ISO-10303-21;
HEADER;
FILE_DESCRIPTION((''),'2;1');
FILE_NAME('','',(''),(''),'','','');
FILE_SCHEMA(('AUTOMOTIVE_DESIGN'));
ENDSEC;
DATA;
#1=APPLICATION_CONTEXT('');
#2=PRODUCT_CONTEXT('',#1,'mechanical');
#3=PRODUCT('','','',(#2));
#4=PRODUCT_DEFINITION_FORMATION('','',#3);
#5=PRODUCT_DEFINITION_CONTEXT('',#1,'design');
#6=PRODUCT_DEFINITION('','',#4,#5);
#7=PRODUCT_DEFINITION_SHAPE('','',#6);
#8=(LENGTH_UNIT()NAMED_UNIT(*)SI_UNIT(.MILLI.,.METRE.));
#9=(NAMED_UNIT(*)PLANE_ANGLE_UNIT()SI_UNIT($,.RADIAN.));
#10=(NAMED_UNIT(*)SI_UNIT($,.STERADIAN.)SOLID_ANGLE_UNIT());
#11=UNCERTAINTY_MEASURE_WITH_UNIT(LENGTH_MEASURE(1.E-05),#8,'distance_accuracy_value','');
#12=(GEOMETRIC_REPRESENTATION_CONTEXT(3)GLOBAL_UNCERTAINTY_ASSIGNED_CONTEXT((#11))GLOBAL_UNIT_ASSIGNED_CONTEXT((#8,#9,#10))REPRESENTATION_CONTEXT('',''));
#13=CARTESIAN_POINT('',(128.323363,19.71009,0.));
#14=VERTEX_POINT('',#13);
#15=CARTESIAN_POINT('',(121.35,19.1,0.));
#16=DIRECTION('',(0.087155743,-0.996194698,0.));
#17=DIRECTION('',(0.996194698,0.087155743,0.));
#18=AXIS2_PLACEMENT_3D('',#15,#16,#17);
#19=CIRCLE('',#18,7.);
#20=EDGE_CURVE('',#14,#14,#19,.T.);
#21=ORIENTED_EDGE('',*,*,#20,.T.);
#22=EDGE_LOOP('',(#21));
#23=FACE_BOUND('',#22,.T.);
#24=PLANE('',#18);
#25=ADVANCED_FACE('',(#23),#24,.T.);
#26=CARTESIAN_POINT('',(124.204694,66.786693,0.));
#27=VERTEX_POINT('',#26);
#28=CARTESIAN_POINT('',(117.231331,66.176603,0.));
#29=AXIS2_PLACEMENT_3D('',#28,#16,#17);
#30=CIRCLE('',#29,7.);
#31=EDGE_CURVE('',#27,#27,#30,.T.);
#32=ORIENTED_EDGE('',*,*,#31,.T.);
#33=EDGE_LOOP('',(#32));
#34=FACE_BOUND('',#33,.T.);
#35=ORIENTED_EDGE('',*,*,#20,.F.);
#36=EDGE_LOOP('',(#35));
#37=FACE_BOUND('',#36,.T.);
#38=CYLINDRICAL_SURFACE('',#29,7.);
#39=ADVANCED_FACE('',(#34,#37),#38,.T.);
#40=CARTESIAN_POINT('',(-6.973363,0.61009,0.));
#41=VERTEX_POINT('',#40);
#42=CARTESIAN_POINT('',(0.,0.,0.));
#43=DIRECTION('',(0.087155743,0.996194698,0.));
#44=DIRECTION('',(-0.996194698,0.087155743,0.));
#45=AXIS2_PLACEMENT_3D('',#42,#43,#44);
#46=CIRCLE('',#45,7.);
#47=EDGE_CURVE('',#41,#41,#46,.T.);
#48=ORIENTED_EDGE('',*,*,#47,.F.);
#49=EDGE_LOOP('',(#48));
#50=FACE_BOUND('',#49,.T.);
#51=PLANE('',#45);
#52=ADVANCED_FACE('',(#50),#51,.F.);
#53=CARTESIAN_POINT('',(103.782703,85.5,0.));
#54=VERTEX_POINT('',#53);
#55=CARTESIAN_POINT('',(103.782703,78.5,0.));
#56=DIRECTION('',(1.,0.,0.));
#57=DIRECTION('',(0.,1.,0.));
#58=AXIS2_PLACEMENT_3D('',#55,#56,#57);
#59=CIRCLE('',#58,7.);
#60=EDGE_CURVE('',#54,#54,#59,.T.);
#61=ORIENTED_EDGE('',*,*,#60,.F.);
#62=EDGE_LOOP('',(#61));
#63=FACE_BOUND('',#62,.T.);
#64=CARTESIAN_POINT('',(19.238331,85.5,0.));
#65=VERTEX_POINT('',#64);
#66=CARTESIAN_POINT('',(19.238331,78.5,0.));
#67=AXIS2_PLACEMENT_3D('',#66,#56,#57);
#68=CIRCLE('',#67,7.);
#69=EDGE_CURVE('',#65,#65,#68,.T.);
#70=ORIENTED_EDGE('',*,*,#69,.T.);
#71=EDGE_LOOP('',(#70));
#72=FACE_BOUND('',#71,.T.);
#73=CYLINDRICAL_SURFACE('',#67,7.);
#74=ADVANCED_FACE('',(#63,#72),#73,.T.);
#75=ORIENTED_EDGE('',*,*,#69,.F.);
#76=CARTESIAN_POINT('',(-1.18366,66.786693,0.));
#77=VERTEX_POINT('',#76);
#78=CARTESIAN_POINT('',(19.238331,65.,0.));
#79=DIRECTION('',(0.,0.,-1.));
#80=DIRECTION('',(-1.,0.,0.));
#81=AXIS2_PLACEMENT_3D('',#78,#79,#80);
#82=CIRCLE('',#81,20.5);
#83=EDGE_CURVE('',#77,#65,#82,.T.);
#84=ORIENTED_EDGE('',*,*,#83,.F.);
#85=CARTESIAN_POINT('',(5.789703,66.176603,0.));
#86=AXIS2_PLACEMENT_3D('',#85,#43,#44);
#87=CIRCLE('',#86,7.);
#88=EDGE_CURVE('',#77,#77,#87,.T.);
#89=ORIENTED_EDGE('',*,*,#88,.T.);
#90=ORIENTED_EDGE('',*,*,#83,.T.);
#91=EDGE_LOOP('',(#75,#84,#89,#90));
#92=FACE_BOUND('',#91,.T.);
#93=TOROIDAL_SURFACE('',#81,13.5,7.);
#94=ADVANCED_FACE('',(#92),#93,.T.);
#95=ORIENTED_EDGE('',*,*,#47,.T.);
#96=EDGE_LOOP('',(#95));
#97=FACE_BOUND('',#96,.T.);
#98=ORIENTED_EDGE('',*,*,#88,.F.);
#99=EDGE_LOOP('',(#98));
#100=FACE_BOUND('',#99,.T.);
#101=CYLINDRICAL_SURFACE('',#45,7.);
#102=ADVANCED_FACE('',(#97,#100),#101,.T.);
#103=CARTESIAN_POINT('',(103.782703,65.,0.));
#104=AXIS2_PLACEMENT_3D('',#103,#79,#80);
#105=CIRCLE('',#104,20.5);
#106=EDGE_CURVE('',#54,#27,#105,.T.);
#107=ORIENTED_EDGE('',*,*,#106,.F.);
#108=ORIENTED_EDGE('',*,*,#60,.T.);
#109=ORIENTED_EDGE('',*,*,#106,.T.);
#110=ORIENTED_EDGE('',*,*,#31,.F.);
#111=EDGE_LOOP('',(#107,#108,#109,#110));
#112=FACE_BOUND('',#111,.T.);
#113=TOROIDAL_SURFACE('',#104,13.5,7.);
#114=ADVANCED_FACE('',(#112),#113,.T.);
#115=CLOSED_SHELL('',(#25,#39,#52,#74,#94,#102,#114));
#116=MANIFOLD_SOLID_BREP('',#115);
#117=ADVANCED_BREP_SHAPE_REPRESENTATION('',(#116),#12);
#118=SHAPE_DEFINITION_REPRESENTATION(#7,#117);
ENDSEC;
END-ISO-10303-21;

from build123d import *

# Parameters (mm, degrees)
PATH_R = 7


with BuildPart() as part:
    # Cam Handle: sweep along a path in Circle
    with BuildLine(Plane.XY) as cam_handle_path:
        Line((0, 0), (5.789702512, 66.176602527))
        ThreePointArc((5.789702512, 66.176602527), (10.117863133, 74.953244047), (19.238330936, 78.5))
        Line((19.238330936, 78.5), (103.782702537, 78.5))
        ThreePointArc((103.782702537, 78.5), (112.90317034, 74.953244047), (117.231330962, 66.176602527))
        Line((117.231330962, 66.176602527), (121.35, 19.1))
    # Path → Cam Handle (sweep)
    with BuildSketch(Plane(origin=(0, 0, 0), x_dir=(0.9961946980917455, -0.08715574274765839, 0), z_dir=(0.0871557427476584, 0.9961946980917457, 0))):
        Circle(PATH_R)
    sweep(path=cam_handle_path.line)


solid = part.part
